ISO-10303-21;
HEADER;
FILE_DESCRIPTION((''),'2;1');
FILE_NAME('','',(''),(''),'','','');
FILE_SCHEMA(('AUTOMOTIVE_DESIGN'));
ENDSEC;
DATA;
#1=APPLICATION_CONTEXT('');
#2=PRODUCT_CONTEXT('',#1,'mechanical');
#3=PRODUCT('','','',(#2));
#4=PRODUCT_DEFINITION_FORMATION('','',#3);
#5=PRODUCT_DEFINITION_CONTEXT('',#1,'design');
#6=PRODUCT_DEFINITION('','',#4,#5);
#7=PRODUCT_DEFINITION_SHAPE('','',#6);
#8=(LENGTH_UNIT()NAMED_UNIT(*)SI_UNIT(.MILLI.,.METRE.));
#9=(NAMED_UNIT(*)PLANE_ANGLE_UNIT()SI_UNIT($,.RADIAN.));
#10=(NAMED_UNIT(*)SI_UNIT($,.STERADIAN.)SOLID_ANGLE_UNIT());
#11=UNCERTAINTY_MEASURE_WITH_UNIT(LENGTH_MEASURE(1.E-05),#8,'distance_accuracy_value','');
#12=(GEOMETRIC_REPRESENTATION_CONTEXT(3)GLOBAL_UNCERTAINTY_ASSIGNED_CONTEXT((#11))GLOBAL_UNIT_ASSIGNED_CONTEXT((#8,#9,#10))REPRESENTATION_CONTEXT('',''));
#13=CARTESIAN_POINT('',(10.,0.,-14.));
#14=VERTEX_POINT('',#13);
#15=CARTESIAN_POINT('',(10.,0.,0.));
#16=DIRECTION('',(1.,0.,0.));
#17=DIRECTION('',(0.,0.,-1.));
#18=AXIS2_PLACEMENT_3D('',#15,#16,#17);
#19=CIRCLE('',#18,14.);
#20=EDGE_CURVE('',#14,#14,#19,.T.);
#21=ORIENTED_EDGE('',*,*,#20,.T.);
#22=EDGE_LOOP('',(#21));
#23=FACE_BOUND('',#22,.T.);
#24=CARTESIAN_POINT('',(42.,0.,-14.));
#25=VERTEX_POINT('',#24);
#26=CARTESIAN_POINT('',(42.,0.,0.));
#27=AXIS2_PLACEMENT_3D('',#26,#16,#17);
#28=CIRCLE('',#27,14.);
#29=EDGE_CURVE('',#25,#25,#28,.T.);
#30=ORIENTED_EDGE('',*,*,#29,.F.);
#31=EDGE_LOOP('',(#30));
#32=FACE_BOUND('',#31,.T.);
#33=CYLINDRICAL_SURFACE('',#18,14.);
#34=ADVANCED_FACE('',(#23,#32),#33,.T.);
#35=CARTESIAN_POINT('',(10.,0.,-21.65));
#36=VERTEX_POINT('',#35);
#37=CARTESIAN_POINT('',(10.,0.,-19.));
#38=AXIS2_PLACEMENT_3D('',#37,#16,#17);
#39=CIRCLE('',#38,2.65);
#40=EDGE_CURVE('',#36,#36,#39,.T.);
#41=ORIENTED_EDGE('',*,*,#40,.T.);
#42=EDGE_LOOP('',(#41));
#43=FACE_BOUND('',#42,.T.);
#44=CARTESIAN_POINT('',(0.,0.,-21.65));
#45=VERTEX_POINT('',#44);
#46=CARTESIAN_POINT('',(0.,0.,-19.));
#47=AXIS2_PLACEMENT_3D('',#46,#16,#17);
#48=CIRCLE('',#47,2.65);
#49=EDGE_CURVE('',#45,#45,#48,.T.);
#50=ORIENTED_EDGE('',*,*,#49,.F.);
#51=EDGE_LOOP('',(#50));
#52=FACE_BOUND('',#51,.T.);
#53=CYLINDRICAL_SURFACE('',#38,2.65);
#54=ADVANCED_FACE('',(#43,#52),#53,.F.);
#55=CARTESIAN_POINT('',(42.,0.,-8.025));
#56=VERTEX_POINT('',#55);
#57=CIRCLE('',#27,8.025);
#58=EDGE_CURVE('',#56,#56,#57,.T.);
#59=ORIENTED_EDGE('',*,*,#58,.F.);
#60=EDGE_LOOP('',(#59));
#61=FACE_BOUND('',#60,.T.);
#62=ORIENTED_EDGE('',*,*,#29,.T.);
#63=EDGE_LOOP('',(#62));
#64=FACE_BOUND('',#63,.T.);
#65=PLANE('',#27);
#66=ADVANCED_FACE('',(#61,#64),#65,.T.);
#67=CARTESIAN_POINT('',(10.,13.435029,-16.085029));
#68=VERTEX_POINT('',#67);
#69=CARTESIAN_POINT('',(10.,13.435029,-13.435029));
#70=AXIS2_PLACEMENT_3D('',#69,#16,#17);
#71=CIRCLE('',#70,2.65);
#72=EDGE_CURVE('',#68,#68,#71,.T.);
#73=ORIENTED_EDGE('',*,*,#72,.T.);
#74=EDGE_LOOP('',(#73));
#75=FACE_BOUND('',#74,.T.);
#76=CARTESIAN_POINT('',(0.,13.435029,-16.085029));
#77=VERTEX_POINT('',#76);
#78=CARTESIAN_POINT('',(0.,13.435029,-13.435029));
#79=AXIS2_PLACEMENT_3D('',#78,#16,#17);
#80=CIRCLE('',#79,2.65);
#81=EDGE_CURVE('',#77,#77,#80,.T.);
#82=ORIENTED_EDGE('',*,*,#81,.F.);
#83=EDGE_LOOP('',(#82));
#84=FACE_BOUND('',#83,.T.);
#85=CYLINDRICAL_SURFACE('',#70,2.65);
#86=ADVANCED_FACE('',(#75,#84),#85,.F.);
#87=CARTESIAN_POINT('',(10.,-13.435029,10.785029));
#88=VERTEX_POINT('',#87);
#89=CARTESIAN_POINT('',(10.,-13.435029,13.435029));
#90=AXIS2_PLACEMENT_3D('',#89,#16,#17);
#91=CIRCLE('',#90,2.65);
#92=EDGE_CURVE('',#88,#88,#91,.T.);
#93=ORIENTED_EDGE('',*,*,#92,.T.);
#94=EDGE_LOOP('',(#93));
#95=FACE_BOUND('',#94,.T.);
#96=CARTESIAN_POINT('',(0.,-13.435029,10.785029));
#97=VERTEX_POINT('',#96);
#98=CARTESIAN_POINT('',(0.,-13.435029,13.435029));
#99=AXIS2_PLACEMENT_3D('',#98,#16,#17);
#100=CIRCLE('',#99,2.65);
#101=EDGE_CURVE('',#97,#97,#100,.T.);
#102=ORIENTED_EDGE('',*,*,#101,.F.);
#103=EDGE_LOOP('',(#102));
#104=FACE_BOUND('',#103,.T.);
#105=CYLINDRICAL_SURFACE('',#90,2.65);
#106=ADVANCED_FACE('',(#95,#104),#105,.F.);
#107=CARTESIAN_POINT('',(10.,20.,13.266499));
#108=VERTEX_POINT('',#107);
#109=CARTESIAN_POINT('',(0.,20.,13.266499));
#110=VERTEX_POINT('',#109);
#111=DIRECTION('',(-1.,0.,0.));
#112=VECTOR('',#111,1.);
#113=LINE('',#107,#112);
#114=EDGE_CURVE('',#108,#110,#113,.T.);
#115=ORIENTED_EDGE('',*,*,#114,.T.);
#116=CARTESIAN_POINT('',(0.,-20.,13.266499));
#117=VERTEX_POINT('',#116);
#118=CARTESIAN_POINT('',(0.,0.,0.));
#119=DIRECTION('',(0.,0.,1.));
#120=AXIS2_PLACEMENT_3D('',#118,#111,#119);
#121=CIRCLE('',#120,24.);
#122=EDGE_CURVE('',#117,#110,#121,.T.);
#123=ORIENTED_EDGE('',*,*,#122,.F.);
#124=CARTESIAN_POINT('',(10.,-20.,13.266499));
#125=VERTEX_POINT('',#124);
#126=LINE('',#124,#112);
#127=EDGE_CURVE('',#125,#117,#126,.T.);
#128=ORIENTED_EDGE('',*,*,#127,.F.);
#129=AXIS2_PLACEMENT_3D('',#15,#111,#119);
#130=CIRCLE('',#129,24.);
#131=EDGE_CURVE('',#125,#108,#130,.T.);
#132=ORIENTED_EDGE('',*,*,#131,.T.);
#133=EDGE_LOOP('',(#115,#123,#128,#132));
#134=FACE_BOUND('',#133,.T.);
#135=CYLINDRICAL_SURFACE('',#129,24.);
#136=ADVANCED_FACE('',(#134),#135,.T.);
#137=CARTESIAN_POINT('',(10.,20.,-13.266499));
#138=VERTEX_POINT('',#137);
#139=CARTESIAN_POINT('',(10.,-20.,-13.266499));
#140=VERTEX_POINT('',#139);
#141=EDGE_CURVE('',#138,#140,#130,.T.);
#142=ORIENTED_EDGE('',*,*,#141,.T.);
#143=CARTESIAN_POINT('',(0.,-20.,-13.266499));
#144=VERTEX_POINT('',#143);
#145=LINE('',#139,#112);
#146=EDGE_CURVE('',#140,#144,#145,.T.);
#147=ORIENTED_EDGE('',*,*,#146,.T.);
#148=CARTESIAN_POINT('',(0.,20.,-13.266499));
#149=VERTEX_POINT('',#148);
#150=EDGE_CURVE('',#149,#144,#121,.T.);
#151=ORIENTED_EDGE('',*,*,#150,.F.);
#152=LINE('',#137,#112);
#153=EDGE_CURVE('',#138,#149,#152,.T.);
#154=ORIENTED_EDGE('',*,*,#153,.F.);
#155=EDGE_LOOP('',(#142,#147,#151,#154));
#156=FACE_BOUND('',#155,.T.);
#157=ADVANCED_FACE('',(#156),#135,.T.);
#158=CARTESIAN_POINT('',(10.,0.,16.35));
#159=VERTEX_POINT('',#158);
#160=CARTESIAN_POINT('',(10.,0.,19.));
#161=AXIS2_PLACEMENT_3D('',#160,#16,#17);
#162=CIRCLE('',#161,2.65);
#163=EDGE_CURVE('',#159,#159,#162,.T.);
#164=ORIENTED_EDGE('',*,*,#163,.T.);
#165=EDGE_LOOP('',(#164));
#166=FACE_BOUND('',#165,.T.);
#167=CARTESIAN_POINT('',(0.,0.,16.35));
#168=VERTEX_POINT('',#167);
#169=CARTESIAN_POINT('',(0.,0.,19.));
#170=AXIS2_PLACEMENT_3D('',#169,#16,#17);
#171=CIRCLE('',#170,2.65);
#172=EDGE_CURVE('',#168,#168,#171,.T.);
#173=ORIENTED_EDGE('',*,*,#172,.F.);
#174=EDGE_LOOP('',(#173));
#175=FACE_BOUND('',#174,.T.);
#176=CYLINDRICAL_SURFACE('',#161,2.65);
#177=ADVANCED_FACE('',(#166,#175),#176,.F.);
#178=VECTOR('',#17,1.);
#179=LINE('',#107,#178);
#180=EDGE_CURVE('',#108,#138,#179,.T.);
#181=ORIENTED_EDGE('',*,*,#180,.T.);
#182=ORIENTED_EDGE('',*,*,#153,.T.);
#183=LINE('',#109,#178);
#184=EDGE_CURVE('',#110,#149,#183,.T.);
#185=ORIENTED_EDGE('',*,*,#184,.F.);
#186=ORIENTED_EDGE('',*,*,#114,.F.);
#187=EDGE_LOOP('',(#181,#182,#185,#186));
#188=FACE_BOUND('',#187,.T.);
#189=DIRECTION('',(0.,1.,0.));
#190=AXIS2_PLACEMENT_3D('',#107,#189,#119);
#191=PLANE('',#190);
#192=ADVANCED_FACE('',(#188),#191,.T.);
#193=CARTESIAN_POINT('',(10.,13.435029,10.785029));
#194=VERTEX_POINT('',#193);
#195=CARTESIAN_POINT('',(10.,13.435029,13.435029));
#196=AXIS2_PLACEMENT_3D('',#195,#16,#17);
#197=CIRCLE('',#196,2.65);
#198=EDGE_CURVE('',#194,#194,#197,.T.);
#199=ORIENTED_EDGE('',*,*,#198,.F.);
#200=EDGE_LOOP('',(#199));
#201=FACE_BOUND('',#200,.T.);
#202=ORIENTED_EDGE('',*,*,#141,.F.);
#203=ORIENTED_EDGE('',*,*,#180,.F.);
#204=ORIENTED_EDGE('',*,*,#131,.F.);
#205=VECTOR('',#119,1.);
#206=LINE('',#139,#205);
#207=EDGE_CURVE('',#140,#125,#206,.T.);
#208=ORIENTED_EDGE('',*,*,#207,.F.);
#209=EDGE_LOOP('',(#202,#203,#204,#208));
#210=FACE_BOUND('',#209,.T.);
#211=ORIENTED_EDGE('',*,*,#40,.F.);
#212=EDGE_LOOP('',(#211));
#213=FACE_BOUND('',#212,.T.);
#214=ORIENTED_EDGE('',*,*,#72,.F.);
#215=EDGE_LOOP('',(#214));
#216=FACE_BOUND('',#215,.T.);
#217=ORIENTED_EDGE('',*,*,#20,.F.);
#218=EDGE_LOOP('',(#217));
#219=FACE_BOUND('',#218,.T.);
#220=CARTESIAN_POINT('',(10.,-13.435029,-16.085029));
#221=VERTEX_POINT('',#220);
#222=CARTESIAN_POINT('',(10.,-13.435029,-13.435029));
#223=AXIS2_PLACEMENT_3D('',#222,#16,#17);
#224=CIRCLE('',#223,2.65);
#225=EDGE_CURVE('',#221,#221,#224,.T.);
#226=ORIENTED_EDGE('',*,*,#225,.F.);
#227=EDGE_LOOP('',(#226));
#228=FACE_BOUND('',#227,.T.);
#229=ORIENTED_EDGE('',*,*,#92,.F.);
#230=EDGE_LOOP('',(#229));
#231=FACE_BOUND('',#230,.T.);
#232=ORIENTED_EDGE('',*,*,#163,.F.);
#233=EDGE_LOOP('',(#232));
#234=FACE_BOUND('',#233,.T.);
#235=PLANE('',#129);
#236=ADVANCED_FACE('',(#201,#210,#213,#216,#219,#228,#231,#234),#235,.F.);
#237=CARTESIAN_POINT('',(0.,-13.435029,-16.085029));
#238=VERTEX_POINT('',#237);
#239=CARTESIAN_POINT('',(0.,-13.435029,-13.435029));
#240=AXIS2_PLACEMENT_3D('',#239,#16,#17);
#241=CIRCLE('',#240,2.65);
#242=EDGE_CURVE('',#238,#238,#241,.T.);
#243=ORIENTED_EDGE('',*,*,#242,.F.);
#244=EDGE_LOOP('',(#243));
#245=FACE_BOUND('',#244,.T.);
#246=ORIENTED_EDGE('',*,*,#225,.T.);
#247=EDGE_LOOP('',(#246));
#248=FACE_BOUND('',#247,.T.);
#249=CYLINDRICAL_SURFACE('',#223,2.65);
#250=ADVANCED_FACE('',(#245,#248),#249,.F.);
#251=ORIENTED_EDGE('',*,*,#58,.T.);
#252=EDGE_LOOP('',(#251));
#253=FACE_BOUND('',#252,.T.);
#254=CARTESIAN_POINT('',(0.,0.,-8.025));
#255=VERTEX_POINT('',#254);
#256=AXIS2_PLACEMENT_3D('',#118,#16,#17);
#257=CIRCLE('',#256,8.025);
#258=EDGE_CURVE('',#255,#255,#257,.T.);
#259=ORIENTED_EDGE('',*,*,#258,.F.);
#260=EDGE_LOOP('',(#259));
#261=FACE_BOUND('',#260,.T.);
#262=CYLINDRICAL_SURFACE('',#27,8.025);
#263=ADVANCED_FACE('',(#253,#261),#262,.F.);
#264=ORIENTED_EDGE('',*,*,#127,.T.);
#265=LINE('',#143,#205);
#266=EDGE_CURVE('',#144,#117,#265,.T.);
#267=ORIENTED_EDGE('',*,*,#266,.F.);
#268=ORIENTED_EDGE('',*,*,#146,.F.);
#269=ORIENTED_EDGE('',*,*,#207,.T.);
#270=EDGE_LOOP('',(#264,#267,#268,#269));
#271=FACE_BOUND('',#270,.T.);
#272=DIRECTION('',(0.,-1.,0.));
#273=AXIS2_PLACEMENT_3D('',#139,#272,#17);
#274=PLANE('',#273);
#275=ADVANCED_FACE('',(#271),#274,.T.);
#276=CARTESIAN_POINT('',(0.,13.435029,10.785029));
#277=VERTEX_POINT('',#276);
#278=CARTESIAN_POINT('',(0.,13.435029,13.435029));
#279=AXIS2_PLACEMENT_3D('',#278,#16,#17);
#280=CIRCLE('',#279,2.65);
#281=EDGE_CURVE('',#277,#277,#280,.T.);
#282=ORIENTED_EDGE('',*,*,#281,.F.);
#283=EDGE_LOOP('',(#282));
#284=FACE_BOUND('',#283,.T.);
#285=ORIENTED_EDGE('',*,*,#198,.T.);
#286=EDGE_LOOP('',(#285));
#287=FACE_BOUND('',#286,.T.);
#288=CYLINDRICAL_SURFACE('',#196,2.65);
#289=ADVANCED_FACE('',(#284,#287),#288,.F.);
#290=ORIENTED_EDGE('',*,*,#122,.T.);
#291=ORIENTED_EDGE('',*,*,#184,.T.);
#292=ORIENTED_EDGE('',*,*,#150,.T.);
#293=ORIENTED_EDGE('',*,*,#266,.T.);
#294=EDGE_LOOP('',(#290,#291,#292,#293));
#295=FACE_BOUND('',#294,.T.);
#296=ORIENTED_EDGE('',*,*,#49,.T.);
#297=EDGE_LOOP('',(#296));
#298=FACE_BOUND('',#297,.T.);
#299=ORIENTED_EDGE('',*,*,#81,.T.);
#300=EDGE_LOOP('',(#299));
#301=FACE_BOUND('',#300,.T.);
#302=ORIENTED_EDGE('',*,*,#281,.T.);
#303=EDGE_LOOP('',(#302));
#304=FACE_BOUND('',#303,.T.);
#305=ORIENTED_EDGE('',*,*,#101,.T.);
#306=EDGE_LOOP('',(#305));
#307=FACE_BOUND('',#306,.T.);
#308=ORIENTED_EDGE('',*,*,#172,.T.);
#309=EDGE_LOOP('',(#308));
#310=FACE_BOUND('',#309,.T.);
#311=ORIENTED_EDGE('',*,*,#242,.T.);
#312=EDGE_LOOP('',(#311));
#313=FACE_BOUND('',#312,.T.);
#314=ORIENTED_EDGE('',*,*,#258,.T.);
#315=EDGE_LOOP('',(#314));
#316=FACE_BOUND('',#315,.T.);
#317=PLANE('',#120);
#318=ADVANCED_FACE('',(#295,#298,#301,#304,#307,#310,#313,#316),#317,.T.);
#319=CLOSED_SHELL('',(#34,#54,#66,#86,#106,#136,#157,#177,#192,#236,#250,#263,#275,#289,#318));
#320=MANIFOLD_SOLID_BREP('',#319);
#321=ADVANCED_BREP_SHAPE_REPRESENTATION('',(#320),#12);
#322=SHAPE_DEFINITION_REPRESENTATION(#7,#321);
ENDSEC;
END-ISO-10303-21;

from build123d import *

# Parameters (mm, degrees)
BOSS_EXTRUDE1_DEPTH  = 10
SKETCH2_W            = 32
SKETCH2_H            = 14
HOLE1_D              = 16.05
HOLE1_DEPTH          = 42
M5_CLEARANCE_HOLE1_D = 5.3
CIRPATTERN1_COUNT    = 3
CIRPATTERN1_ANGLE    = 90
MIRROR1_COPY_1_D     = 5.3
MIRROR1_COPY_2_D     = 5.3


with BuildPart() as part:
    # Sketch1 → Boss-Extrude1 (new body)
    with BuildSketch(Plane(origin=(0, 0, 0), x_dir=(0, -1, 0), z_dir=(-1, 0, 0))):
        with BuildLine():
            Line((20, -13.266499161), (20, 13.266499161))
            ThreePointArc((20, 13.266499161), (0, 24), (-20, 13.266499161))
            Line((-20, 13.266499161), (-20, -13.266499161))
            ThreePointArc((-20, -13.266499161), (0, -24), (20, -13.266499161))
        make_face()
    extrude(amount=-BOSS_EXTRUDE1_DEPTH)

    # Sketch2 → Revolve1 (revolve)
    with BuildSketch(Plane.XY):
        with Locations((26, 7)):
            Rectangle(SKETCH2_W, SKETCH2_H)
    revolve(axis=Axis((10, 0, 0), (1, 0, 0)))

    # Hole1
    with Locations(Plane(origin=(42, 0, 0), x_dir=(0, 0, -1), z_dir=(1, 0, 0))):
        with Locations((0, 0)):
            Hole(HOLE1_D / 2, depth=HOLE1_DEPTH)

    # M5 Clearance Hole1 (through all)
    with Locations(Plane(origin=(10, 0, 0), x_dir=(0, 0, -1), z_dir=(1, 0, 0))):
        with Locations((-13.435028843, -13.435028843)):
            m5_clearance_hole1 = Hole(M5_CLEARANCE_HOLE1_D / 2)

    # CirPattern1: M5 Clearance Hole1 ×3 about axis
    cirpattern1_axis = Axis((0, 0, 0), (-1, 0, 0))
    for i in range(1, CIRPATTERN1_COUNT):
        add(m5_clearance_hole1.rotate(cirpattern1_axis, i * CIRPATTERN1_ANGLE / (CIRPATTERN1_COUNT - 1)), mode=Mode.SUBTRACT)

    # Mirror1: M5 Clearance Hole1 across plane
    add(m5_clearance_hole1.mirror(Plane.XY), mode=Mode.SUBTRACT)

    # Mirror1 copy 1 (through all)
    with Locations(Plane(origin=(10, 0, 0), x_dir=(0, -0.707106781, 0.707106781), z_dir=(1, 0, 0))):
        with Locations((-13.435028843, 13.435028843)):
            Hole(MIRROR1_COPY_1_D / 2)

    # Mirror1 copy 2 (through all)
    with Locations(Plane(origin=(10, 0, 0), x_dir=(0, -1, 0), z_dir=(1, 0, 0))):
        with Locations((-13.435028843, 13.435028843)):
            Hole(MIRROR1_COPY_2_D / 2)


solid = part.part
